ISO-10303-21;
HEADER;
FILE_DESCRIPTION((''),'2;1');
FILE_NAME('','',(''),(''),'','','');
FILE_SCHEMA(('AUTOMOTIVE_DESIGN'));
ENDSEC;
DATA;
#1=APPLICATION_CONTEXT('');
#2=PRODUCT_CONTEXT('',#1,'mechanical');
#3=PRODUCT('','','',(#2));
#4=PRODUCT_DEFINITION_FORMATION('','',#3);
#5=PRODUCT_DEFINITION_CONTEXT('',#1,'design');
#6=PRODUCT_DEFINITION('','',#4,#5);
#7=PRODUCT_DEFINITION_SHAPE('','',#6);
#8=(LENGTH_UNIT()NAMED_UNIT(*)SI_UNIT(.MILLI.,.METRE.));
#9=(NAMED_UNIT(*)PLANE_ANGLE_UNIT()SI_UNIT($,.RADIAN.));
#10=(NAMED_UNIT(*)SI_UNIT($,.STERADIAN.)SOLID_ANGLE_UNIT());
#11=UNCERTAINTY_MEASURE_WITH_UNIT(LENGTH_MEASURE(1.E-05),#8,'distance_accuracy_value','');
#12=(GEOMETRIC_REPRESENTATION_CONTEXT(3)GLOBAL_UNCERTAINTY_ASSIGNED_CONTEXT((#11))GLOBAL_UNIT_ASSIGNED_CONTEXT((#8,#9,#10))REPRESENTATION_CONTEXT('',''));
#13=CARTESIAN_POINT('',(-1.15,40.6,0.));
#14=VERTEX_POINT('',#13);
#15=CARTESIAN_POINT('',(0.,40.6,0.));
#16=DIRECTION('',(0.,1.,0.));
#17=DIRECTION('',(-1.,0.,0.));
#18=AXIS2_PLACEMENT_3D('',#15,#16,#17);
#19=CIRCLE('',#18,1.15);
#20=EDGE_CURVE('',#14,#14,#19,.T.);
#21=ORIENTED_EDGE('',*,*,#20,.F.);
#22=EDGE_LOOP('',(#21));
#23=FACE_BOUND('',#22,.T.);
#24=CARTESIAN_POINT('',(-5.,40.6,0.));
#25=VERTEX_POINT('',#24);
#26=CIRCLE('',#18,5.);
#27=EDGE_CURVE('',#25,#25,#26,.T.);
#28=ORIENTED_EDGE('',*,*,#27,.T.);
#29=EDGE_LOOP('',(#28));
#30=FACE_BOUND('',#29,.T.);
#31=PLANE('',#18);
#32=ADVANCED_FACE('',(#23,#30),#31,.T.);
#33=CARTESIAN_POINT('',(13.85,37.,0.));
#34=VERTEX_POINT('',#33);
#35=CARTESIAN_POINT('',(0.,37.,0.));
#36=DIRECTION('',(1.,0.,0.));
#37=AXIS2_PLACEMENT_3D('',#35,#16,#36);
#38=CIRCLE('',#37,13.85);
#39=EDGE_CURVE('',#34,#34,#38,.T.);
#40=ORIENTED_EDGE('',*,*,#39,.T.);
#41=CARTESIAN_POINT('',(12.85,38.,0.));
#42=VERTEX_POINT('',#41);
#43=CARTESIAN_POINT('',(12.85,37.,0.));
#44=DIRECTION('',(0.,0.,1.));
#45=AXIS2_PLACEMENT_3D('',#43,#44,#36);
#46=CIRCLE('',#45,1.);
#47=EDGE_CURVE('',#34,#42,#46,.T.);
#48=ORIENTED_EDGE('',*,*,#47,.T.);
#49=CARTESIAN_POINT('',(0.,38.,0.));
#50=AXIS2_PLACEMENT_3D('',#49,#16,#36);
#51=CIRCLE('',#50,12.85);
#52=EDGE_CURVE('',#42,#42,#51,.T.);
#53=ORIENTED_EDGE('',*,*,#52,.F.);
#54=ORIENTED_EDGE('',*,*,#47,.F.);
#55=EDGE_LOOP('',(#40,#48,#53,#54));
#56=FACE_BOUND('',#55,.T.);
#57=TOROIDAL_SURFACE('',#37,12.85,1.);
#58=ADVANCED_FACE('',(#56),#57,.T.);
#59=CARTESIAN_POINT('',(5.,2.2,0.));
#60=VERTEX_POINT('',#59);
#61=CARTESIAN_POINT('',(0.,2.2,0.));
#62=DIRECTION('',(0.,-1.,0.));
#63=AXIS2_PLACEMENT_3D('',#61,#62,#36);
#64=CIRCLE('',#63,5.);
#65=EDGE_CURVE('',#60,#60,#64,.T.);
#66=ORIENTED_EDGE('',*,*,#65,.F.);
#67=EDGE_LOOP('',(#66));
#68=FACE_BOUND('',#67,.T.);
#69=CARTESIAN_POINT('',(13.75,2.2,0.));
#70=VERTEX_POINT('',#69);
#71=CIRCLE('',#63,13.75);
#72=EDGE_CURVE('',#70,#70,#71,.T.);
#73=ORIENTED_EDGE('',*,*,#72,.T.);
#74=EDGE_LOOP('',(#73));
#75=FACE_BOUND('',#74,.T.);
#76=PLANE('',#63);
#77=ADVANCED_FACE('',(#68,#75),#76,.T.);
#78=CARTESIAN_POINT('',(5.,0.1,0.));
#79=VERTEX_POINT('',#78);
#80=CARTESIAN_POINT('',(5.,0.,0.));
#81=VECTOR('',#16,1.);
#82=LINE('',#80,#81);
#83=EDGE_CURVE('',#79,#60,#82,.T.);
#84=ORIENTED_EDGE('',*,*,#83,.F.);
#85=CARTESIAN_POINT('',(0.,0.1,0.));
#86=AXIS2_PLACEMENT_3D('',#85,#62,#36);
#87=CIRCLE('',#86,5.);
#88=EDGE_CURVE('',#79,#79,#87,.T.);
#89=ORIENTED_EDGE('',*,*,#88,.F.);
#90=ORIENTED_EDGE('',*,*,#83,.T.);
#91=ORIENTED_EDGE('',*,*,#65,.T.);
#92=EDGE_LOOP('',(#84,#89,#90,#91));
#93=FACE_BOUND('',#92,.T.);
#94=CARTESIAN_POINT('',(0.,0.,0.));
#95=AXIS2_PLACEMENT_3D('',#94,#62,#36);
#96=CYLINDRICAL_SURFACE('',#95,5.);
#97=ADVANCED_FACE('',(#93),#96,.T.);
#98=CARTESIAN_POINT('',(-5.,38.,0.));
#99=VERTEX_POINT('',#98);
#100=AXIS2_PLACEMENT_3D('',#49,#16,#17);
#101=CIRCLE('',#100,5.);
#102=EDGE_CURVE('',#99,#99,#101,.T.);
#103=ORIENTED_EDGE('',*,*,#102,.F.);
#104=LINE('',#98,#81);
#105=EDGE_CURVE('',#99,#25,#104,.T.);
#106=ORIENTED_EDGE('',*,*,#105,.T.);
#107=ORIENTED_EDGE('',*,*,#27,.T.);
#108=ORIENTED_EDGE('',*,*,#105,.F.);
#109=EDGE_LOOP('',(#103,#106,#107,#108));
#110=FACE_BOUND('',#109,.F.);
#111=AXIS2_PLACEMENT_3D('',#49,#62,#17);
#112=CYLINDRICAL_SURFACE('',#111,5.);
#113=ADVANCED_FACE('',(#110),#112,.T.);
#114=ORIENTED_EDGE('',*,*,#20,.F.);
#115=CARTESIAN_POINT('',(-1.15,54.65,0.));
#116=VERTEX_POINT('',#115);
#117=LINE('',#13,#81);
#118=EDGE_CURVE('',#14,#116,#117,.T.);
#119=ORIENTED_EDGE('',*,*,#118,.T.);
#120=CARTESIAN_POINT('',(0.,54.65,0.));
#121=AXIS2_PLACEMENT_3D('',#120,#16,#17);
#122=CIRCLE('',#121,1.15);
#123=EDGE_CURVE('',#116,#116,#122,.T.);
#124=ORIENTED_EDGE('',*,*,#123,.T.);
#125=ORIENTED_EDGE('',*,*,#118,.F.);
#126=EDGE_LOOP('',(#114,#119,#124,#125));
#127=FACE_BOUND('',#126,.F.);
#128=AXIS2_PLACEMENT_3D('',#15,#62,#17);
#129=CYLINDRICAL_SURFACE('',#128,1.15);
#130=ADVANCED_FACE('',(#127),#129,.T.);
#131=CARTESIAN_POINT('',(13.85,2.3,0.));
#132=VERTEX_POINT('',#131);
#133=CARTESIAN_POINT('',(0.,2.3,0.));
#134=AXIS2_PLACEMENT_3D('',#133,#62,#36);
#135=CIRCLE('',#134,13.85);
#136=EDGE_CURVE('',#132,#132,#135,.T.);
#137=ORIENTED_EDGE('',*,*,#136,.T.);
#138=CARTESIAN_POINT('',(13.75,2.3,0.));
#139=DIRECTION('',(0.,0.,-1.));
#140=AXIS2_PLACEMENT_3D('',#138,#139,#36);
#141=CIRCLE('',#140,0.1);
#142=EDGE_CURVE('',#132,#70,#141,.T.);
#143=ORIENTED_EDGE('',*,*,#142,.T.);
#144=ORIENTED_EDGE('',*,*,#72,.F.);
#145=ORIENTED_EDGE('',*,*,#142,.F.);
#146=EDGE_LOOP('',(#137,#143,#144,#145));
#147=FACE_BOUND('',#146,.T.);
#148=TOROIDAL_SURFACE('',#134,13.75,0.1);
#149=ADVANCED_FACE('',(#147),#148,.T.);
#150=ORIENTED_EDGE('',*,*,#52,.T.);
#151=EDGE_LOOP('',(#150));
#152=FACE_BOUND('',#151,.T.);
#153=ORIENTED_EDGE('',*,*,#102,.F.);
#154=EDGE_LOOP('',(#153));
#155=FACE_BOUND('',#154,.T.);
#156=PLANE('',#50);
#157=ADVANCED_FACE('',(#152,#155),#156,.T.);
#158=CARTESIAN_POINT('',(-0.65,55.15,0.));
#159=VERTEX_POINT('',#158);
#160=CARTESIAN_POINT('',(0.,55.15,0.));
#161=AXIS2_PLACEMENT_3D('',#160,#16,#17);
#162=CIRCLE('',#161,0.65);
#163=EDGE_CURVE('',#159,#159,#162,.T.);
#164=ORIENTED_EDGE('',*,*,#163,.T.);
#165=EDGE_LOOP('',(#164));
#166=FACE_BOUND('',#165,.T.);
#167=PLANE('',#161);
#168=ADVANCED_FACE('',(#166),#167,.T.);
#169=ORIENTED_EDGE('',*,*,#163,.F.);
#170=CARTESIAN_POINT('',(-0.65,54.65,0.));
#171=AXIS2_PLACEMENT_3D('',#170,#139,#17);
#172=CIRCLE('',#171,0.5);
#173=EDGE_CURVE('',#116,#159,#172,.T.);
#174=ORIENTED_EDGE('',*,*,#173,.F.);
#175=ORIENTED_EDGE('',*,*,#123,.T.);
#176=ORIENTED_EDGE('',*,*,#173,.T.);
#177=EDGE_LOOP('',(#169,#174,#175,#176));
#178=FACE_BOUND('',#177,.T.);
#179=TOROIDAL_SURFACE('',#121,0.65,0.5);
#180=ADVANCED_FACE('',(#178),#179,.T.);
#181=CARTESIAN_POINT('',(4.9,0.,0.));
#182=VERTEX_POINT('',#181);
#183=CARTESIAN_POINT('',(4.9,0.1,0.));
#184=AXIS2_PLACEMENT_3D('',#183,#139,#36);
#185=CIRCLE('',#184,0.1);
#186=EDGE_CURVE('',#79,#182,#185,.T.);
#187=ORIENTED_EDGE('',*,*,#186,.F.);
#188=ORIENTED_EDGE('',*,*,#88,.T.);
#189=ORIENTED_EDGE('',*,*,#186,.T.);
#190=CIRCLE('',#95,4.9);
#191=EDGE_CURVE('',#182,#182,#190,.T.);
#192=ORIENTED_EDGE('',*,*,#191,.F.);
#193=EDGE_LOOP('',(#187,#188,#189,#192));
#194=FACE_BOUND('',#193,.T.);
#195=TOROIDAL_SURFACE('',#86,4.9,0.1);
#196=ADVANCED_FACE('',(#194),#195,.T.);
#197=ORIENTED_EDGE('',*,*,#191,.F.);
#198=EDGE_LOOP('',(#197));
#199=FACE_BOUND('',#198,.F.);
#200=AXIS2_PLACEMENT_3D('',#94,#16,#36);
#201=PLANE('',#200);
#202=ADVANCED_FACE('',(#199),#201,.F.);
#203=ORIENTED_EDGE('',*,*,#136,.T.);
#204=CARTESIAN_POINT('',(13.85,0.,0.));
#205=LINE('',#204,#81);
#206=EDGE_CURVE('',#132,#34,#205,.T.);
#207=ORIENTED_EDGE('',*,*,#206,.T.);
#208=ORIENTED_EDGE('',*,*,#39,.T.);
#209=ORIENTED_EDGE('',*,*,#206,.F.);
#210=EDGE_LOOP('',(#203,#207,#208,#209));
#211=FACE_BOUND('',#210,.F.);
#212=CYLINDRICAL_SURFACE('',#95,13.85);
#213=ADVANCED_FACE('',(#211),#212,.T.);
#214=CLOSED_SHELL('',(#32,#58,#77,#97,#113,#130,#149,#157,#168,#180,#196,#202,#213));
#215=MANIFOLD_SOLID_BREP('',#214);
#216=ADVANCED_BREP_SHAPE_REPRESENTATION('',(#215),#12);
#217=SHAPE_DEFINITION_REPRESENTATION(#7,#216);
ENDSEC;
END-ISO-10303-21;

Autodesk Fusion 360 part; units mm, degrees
sketch "Sketch1" plane through (0, 0, 0) normal (0, 1, 0) x (1, 0, 0)
  circle A0 centre (0, 0) radius 13.85
  dimension "d1" = 27.7
extrude "Extrude1" add sketch "Sketch1" along normal blind 38
sketch "Sketch2" plane through (0, 38, 0) normal (0, 1, 0) x (-1, 0, 0)
  circle A0 centre (0, 0) radius 13.85
  circle A1 centre (0, 0) radius 5
  dimension "d4" = 10
extrude "Extrude2" add sketch "Sketch2" along normal blind 2.6 contours A1
sketch "Sketch3" plane through (0, 40.6, 0) normal (0, 1, 0) x (-1, 0, 0)
  circle A0 centre (0, 0) radius 5
  circle A1 centre (0, 0) radius 1.15
  dimension "d7" = 2.3
extrude "Extrude3" add sketch "Sketch3" along normal blind 14.55 contours A1
sketch "Sketch4" plane through (0, 0, 0) normal (0, -1, 0) x (1, 0, 0)
  circle A0 centre (0, 0) radius 13.85
  circle A1 centre (0, 0) radius 5
  dimension "d10" = 10
extrude "Extrude4" cut sketch "Sketch4" against normal blind 2.2
fillet "Fillet1" radius 1 1 edges at (-12.9127, 38, 5.0084)
fillet "Fillet2" radius 0.5 1 edges at (1.0722, 55.15, -0.4159)
fillet "Fillet3" radius 0.1 2 edges at (-12.9127, 2.2, 5.0084) (-4.6616, 0, -1.8081)
